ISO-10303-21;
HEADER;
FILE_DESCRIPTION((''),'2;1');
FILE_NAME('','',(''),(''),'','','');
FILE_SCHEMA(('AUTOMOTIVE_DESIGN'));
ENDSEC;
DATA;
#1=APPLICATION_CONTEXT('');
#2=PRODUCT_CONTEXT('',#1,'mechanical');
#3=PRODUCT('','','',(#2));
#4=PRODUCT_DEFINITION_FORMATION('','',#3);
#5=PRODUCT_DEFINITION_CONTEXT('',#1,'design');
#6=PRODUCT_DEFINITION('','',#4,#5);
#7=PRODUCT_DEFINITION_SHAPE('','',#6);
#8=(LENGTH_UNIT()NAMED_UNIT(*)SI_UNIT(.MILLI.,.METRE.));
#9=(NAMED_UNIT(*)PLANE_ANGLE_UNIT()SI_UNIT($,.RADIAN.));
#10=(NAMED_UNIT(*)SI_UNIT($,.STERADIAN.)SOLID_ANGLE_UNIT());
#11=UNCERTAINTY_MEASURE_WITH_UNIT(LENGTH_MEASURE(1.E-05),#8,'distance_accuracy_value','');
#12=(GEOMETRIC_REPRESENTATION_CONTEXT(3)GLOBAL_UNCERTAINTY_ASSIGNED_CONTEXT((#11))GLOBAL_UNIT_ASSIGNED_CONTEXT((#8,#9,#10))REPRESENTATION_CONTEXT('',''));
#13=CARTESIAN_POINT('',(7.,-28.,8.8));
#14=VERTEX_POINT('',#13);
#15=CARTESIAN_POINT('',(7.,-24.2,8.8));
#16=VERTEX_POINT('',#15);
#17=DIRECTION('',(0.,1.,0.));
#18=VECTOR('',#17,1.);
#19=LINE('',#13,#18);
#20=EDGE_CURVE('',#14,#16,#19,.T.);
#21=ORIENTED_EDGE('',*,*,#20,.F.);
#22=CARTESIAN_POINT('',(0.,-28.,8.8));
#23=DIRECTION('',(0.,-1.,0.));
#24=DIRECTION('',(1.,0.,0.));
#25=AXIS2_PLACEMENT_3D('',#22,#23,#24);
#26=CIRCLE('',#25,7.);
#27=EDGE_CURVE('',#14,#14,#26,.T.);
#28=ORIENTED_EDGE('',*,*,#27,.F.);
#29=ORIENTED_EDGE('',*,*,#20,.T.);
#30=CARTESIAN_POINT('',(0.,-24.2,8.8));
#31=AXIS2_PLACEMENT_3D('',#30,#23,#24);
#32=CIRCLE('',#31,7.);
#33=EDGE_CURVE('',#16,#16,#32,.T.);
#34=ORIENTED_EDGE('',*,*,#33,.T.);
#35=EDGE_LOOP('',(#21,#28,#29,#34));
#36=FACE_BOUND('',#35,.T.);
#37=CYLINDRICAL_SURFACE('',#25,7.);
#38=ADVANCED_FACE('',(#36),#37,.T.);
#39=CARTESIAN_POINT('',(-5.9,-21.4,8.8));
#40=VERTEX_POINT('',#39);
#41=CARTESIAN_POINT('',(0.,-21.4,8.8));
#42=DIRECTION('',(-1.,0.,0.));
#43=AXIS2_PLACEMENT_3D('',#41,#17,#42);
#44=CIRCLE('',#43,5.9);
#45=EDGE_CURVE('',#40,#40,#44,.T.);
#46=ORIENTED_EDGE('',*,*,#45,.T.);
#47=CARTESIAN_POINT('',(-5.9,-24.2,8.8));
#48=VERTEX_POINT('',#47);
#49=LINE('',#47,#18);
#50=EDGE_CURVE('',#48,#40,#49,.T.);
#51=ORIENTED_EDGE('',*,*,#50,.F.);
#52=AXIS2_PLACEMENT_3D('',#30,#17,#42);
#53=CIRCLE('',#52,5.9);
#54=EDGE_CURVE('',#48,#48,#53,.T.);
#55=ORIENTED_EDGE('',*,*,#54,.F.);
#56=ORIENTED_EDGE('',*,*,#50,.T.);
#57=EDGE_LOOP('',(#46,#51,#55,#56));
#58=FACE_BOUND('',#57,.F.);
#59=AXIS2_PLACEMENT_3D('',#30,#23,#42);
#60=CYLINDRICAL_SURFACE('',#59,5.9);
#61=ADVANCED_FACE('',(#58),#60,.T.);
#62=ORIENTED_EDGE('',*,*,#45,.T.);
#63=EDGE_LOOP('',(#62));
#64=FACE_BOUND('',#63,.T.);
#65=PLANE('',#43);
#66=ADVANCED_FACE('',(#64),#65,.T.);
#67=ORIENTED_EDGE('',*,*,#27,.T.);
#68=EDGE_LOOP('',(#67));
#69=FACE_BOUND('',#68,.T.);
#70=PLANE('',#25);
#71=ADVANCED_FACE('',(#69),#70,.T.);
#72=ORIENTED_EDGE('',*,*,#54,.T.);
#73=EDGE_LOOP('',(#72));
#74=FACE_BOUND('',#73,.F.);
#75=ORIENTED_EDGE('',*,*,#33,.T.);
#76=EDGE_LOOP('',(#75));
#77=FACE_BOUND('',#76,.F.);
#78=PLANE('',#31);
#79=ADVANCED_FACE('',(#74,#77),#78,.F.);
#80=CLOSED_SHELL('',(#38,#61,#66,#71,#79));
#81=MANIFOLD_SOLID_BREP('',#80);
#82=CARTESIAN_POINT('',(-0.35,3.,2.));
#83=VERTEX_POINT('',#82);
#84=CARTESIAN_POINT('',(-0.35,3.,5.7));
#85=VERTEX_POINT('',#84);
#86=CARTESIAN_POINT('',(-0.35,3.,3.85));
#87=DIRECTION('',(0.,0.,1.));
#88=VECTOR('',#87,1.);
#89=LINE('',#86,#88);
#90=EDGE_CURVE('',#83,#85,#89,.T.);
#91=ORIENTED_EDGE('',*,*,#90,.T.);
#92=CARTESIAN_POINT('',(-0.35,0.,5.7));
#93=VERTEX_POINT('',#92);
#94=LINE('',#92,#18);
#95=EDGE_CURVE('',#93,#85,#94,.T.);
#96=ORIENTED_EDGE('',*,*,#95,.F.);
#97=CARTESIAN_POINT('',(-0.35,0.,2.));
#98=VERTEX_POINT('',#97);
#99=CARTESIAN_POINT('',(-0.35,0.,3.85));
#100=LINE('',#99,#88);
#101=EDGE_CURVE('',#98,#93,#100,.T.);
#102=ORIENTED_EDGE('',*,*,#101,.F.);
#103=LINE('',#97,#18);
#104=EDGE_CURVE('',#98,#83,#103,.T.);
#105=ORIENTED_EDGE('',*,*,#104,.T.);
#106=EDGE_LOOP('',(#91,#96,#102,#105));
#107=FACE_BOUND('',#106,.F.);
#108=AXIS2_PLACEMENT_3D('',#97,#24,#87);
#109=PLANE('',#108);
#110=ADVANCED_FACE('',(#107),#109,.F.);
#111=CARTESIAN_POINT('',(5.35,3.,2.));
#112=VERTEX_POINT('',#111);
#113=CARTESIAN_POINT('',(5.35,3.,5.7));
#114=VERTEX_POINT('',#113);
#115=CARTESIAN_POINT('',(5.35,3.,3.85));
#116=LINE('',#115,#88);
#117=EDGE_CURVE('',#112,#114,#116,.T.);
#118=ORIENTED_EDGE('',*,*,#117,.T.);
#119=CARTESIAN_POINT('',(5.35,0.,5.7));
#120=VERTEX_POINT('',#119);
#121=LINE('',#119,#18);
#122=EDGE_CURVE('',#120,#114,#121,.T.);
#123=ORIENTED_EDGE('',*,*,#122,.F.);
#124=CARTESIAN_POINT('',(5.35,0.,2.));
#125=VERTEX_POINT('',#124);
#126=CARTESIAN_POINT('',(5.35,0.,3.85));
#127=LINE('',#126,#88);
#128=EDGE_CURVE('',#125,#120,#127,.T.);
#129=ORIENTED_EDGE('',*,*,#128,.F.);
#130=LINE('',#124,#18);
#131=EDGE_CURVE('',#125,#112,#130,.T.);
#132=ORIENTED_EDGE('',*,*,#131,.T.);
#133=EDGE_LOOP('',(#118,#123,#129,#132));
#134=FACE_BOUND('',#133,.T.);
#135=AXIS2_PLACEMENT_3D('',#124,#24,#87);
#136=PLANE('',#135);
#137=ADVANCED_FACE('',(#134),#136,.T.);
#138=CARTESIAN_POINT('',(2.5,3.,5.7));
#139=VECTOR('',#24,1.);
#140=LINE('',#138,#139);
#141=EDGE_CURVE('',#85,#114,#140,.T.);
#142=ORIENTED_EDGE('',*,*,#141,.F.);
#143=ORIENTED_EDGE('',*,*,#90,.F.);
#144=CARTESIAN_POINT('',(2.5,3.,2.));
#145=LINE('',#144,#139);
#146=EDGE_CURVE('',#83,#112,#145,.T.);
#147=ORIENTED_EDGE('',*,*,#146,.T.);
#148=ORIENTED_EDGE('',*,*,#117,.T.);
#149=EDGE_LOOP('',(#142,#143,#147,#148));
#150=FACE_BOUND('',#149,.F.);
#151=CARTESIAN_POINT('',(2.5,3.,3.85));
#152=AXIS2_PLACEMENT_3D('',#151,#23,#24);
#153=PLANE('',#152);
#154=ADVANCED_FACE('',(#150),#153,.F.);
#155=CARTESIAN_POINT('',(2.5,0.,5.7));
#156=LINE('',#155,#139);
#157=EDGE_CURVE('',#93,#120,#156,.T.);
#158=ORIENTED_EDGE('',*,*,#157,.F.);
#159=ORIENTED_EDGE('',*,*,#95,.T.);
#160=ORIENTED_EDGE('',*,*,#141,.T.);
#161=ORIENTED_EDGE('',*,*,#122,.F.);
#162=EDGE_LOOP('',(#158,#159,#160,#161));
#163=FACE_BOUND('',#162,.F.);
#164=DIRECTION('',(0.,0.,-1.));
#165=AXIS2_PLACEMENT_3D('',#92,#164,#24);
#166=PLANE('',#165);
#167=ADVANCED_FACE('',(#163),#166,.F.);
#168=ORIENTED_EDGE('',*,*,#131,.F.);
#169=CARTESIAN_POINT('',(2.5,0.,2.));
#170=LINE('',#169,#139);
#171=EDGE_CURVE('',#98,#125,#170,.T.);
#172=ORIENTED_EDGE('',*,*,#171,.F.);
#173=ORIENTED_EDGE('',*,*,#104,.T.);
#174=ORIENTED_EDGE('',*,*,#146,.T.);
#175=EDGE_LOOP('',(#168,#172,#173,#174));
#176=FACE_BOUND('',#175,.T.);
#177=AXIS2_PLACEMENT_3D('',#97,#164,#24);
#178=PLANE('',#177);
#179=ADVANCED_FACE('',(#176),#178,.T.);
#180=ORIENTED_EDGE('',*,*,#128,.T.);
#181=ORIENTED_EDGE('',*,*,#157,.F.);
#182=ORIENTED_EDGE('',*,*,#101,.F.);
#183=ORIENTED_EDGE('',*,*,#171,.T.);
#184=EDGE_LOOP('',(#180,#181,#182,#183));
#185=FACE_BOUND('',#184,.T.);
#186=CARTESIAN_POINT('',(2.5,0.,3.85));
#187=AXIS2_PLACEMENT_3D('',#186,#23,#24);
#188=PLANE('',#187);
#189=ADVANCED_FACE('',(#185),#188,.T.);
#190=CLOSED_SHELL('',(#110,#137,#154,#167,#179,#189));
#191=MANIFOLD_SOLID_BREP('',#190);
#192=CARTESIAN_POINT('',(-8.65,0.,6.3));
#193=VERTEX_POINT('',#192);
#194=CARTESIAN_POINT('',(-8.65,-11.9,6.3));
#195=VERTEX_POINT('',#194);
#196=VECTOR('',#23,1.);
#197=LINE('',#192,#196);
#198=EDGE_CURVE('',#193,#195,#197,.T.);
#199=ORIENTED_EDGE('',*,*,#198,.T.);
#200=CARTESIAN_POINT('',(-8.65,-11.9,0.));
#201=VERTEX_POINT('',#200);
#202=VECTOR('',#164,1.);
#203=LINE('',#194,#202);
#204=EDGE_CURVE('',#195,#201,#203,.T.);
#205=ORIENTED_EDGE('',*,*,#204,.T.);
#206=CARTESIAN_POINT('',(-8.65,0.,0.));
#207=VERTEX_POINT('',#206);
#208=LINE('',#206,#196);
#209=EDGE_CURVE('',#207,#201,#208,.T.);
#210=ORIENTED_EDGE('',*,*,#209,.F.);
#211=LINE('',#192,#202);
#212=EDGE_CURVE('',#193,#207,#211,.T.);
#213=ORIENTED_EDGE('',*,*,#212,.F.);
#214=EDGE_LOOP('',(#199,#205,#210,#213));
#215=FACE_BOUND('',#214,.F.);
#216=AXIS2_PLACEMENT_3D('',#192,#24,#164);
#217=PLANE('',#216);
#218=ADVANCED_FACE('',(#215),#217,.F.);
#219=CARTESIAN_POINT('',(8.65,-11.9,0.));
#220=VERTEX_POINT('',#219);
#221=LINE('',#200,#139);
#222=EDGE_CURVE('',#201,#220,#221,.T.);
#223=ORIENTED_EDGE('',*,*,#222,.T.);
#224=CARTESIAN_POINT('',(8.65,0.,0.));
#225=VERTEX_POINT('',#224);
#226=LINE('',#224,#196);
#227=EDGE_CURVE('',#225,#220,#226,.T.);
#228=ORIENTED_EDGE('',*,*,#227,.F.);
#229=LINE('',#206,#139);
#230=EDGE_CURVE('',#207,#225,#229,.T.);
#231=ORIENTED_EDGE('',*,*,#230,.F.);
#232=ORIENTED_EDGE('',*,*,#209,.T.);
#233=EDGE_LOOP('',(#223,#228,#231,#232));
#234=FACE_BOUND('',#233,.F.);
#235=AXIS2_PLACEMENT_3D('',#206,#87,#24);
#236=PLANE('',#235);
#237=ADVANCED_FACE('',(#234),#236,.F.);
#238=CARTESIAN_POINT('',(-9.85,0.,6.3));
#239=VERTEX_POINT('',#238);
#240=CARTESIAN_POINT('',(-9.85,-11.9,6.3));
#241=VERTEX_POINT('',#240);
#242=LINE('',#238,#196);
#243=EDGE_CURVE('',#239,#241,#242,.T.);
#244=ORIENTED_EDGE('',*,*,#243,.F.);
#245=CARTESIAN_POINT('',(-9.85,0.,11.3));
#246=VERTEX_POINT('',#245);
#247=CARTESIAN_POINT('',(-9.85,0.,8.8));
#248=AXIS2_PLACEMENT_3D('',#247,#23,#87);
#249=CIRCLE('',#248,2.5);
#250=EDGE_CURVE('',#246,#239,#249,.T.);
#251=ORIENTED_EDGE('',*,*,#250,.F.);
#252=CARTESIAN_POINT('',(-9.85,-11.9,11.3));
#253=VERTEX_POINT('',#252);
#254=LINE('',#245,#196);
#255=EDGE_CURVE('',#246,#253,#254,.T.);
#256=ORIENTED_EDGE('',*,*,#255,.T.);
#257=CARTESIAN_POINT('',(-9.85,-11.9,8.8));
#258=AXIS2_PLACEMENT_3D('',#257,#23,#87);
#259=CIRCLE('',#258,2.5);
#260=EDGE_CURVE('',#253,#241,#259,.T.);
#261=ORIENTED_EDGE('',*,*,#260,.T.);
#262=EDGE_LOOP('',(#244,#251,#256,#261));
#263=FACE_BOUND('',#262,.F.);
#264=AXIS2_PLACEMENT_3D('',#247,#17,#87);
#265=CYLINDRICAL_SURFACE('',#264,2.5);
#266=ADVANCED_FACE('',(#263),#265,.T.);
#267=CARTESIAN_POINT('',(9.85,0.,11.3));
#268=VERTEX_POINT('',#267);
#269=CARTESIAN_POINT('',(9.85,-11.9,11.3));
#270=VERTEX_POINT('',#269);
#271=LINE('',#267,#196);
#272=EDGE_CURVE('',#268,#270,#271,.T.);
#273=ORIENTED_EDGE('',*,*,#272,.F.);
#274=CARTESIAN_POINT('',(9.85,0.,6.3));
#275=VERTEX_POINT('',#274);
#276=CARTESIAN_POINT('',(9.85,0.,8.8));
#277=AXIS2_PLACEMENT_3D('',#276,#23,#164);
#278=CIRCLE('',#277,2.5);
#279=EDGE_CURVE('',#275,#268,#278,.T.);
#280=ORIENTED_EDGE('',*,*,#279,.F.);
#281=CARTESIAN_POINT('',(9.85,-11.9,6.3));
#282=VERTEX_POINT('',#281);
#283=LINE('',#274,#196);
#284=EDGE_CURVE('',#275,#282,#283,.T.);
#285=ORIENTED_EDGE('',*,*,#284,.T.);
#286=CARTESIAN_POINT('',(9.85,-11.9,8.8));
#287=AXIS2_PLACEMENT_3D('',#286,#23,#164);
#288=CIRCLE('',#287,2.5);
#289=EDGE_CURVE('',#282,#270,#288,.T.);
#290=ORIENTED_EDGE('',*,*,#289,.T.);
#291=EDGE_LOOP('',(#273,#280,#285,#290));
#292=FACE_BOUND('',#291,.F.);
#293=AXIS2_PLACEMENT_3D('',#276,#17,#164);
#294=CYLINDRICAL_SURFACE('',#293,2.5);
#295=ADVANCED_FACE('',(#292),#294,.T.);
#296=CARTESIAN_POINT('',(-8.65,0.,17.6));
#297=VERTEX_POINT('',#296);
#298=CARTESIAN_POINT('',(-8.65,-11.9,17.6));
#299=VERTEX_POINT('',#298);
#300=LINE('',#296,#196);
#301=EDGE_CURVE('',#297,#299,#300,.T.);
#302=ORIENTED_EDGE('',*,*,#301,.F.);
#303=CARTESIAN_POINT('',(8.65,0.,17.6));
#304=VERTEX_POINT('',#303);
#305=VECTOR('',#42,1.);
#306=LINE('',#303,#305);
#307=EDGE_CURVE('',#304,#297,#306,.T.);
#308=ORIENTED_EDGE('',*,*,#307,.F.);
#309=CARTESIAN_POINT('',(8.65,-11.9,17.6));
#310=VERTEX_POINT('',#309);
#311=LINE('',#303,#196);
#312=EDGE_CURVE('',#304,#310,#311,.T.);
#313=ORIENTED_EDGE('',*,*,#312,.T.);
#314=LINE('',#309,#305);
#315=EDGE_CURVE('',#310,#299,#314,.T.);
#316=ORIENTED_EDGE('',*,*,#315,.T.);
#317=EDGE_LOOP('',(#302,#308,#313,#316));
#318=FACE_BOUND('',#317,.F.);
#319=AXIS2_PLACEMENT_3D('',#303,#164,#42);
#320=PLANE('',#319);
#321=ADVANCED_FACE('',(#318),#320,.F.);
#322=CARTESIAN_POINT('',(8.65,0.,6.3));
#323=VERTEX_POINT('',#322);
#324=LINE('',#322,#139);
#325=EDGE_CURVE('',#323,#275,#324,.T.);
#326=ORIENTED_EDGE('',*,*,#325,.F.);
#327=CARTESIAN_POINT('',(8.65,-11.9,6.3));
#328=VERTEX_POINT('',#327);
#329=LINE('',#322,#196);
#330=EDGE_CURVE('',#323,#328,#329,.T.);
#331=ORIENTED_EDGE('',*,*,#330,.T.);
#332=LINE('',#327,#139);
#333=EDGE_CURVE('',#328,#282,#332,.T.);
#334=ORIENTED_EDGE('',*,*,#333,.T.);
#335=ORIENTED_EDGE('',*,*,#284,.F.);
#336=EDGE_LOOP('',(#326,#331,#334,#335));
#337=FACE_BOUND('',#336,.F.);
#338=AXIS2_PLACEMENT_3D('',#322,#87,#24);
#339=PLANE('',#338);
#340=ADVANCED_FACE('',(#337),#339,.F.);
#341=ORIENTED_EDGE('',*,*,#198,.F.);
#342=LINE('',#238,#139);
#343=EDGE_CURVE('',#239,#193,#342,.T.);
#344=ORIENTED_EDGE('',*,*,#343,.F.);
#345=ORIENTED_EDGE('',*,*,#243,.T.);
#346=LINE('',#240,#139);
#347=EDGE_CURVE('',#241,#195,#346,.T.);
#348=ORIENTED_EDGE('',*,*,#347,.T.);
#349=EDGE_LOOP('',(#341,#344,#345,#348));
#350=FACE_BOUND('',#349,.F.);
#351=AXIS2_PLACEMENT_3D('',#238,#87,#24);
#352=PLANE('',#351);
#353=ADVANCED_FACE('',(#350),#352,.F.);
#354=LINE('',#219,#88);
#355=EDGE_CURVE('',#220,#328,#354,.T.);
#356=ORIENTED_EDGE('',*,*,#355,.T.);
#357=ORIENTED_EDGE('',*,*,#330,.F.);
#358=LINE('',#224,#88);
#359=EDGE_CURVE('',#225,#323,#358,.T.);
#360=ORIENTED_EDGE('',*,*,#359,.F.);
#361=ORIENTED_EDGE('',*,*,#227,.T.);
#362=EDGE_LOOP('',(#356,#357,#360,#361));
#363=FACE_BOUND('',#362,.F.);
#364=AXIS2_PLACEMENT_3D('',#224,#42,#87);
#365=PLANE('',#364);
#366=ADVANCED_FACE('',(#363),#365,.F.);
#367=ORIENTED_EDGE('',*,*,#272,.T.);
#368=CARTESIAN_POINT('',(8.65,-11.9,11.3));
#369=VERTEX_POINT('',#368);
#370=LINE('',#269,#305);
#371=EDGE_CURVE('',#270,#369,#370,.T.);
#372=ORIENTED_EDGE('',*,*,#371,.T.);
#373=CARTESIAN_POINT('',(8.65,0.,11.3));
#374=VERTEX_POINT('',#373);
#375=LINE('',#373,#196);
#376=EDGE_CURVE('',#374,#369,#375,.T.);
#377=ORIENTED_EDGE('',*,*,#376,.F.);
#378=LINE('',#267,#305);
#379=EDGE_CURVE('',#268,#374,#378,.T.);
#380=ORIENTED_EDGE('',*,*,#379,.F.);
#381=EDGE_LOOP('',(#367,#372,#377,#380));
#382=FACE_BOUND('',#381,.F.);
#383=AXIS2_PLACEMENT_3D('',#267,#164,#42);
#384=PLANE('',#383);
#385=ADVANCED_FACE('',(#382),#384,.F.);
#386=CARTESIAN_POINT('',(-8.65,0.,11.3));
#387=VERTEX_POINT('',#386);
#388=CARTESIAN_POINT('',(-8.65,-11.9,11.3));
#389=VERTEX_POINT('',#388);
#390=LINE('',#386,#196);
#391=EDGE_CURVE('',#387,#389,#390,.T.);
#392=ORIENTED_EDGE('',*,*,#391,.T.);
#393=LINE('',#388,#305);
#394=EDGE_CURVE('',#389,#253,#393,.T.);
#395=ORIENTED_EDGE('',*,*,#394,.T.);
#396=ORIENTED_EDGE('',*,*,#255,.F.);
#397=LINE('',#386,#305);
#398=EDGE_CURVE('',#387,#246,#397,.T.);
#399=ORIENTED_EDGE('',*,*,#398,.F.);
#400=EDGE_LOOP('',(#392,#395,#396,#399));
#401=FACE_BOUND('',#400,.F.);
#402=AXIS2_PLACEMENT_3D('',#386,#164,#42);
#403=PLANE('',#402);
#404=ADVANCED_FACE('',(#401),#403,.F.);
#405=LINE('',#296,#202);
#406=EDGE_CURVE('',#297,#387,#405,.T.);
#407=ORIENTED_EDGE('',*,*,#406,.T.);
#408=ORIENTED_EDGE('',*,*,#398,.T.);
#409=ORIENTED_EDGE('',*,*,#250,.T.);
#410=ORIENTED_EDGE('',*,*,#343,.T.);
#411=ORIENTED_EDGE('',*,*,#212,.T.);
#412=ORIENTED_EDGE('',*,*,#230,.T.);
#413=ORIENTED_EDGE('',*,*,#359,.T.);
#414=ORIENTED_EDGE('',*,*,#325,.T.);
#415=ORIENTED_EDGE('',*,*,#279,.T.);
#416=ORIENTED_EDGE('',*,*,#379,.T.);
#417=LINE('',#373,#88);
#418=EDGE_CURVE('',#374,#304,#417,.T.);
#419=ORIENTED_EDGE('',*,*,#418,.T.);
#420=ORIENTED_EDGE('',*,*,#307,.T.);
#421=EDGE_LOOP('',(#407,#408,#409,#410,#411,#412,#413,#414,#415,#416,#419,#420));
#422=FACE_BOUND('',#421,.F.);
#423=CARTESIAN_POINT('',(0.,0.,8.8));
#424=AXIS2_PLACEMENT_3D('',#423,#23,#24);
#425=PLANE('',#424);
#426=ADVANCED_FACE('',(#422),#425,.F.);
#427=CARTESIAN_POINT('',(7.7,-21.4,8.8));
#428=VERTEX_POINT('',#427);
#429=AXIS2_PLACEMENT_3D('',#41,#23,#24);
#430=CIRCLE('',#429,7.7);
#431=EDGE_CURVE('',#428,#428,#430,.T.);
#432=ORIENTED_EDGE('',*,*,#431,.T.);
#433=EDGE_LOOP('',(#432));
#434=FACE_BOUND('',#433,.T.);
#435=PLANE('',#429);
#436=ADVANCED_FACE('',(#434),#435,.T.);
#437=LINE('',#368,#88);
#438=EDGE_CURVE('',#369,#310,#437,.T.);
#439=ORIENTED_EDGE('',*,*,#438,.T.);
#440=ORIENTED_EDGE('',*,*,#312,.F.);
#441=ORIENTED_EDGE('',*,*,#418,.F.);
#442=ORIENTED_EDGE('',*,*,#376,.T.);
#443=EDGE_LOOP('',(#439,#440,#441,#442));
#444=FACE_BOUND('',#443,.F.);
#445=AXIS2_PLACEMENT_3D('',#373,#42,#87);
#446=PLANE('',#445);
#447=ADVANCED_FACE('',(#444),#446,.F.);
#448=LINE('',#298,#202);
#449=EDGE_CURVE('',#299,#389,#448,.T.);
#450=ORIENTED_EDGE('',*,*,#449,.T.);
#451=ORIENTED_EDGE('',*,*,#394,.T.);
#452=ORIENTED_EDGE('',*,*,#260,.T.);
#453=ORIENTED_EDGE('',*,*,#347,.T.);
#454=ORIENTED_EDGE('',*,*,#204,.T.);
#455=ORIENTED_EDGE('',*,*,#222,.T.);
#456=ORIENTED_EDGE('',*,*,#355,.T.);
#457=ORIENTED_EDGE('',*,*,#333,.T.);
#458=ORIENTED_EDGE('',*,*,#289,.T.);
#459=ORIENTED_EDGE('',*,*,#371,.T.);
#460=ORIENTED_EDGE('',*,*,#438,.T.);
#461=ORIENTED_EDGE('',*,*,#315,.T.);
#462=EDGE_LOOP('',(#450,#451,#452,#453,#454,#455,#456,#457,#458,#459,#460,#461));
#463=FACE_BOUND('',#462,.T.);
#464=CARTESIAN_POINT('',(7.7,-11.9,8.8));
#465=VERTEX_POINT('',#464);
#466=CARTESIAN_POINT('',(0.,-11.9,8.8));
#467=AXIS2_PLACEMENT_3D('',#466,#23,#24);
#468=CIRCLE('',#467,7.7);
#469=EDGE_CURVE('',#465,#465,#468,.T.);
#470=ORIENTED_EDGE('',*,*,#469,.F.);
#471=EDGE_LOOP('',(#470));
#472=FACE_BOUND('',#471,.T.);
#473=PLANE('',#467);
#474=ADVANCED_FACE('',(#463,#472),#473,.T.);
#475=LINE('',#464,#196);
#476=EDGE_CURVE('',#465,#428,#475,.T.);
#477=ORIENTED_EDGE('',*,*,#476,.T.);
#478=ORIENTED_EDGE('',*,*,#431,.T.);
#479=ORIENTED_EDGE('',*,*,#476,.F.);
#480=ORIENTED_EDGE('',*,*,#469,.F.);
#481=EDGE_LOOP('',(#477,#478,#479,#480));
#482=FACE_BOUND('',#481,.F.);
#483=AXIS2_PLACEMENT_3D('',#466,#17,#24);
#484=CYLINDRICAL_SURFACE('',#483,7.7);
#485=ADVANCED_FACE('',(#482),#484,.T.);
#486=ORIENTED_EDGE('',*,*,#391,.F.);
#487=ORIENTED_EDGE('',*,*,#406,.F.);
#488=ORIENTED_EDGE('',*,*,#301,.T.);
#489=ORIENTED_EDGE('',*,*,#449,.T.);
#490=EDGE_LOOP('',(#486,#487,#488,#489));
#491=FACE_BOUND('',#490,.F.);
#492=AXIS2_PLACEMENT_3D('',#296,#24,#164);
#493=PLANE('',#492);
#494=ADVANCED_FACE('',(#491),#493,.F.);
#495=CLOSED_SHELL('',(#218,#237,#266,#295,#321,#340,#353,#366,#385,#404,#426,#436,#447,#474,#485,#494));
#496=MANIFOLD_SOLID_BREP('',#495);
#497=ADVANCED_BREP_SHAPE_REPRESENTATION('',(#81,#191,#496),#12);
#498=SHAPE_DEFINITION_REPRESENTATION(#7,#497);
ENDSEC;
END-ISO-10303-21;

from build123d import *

# Parameters (mm, degrees)
F1_DEPTH  = 11.9
F2_R      = 7.7
F3_DEPTH  = 9.5
F5_R      = 7
F6_DEPTH  = 3.8
F7_R      = 5.9
F8_DEPTH  = 2.8
F9_W      = 5.7
F9_H      = 3.7
F10_DEPTH = 3


with BuildPart() as f1:
    # F0 (on Front) → F1 (new body)
    with BuildSketch(Plane.XZ):
        with BuildLine():
            Line((8.65, 17.6), (-8.65, 17.6))
            Line((-8.65, 17.6), (-8.65, 11.3))
            Line((-8.65, 11.3), (-9.85, 11.3))
            ThreePointArc((-9.85, 11.3), (-12.35, 8.8), (-9.85, 6.3))
            Line((-9.85, 6.3), (-8.65, 6.3))
            Line((-8.65, 6.3), (-8.65, 0))
            Line((-8.65, 0), (8.65, 0))
            Line((8.65, 0), (8.65, 6.3))
            Line((8.65, 6.3), (9.85, 6.3))
            ThreePointArc((9.85, 6.3), (12.35, 8.8), (9.85, 11.3))
            Line((9.85, 11.3), (8.65, 11.3))
            Line((8.65, 11.3), (8.65, 17.6))
        make_face()
    extrude(amount=F1_DEPTH)

    # F2 (on face) → F3 (join)
    with BuildSketch(Plane.XZ.offset(11.9)):
        with Locations((0, 8.8)):
            Circle(F2_R)
    extrude(amount=F3_DEPTH)


with BuildPart() as f6:
    # F5 (on offset) → F6 (new body)
    with BuildSketch(Plane.XZ.offset(28)):
        with Locations((0, 8.8)):
            Circle(F5_R)
    extrude(amount=-F6_DEPTH)

    # F7 (on face) → F8 (join, through all)
    with BuildSketch(Plane(origin=(0, -24.2, 0), x_dir=(-1, 0, 0), z_dir=(0, 1, 0))):
        with Locations((0, 8.8)):
            Circle(F7_R)
    extrude(amount=F8_DEPTH)


with BuildPart() as f10:
    # F9 (on face) → F10 (new body)
    with BuildSketch(Plane.XZ):
        with Locations((2.5, 3.85)):
            Rectangle(F9_W, F9_H)
    extrude(amount=-F10_DEPTH)


solid = Compound([f1.part, f6.part, f10.part])
